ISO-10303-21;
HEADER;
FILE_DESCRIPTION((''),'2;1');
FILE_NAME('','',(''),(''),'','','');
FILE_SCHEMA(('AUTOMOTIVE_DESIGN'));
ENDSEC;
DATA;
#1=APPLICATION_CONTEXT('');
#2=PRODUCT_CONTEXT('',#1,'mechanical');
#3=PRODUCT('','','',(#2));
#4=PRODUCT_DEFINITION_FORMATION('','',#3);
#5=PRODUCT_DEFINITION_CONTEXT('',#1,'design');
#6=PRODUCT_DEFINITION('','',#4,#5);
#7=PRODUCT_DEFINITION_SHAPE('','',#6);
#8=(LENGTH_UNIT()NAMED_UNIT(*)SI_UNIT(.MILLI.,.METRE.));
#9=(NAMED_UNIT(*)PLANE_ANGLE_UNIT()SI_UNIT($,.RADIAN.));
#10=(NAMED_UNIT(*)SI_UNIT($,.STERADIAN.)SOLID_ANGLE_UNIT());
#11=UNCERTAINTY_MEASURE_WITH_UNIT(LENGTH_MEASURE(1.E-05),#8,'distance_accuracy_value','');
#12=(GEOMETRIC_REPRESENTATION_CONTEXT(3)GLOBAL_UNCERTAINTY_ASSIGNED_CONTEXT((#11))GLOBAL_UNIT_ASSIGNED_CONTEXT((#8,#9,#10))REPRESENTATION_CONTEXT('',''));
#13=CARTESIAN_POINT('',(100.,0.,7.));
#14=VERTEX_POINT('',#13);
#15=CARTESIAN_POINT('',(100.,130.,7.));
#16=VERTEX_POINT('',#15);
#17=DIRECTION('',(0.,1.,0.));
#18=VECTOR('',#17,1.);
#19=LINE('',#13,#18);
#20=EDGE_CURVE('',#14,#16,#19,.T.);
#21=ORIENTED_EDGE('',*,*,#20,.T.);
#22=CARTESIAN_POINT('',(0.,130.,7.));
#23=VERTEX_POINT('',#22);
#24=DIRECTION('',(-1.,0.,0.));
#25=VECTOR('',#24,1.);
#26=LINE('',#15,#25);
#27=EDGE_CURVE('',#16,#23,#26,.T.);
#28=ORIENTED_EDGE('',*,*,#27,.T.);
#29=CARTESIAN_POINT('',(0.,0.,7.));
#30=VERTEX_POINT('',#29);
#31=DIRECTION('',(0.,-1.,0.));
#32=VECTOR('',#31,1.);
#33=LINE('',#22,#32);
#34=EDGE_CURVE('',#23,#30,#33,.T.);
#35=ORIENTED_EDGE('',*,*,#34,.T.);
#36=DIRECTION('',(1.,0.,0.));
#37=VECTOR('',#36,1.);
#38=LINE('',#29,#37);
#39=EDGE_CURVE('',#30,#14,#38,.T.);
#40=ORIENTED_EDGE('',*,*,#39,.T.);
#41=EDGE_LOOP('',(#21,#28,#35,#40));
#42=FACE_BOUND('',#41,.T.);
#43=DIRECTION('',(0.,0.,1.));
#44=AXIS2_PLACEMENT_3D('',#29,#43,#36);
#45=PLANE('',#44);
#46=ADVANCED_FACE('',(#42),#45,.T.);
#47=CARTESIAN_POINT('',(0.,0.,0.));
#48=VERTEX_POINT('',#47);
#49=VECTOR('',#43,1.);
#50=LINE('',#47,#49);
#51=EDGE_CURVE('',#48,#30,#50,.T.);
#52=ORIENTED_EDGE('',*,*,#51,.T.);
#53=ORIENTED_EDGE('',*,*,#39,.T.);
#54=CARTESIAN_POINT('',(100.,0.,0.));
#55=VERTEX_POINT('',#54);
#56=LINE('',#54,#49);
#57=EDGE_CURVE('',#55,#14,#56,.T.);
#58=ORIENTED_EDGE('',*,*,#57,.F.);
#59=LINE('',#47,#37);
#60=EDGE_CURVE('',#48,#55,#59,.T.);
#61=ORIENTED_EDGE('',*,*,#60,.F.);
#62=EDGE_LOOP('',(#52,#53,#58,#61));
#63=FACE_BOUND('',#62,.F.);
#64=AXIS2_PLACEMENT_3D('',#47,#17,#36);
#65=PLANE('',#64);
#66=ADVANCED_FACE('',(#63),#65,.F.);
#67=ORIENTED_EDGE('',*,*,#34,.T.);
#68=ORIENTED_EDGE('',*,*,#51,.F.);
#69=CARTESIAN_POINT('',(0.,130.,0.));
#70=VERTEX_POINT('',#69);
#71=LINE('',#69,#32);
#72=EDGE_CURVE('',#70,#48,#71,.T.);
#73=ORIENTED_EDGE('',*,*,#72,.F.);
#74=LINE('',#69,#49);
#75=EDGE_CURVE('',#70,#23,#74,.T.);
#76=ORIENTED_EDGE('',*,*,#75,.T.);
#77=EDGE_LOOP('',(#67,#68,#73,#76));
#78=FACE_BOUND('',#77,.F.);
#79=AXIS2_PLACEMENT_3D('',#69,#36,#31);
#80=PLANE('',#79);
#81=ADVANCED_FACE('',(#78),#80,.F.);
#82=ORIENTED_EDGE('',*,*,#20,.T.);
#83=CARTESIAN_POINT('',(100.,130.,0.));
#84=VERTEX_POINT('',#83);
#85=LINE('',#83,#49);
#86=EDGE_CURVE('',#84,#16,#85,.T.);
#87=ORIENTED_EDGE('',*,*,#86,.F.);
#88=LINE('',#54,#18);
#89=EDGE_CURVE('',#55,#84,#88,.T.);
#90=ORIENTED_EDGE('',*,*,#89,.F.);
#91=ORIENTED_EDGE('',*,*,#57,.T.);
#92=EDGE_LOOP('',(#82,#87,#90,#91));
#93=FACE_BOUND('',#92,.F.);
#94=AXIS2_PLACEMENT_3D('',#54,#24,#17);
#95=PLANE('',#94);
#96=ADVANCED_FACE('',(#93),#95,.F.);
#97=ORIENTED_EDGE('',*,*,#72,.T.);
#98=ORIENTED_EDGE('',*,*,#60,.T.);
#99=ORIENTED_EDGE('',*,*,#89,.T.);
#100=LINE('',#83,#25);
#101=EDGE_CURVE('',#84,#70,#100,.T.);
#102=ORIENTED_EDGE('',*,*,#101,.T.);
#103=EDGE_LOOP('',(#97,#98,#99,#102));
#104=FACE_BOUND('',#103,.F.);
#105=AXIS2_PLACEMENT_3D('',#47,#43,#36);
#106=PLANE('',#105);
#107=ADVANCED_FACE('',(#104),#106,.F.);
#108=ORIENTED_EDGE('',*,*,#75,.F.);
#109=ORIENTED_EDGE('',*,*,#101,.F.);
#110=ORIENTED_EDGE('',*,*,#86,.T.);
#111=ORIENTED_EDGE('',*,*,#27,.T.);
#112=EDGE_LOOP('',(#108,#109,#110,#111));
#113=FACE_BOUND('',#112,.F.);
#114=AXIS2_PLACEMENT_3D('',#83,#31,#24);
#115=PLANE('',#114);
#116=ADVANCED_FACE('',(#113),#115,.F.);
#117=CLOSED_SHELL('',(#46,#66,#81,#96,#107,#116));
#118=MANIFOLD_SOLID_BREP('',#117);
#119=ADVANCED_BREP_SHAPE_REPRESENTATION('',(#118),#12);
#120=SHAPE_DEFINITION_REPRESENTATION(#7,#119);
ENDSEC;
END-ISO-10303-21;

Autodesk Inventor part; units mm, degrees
ref_plane "YZ Plane" through (0, 0, 0) normal (1, 0, 0) x (0, 1, 0)
ref_plane "XZ Plane" through (0, 0, 0) normal (0, 1, 0) x (-1, 0, 0)
ref_plane "XY Plane" through (0, 0, 0) normal (0, 0, 1) x (1, 0, 0)
sketch "Sketch1" plane through (0, 0, 0) normal (0, 0, 1) x (1, 0, 0)
  line L0 (0, 0) -> (100, 0)
  line L1 (100, 0) -> (100, 130)
  line L2 (100, 130) -> (0, 130)
  line L3 (0, 130) -> (0, 0)
  dimension "d0" = 100
  dimension "d1" = 130
extrude "Extrusion1" add sketch "Sketch1" along normal blind 7
properties part number "Frente inferior - porta1" material "Polycarbonate, Clear"
